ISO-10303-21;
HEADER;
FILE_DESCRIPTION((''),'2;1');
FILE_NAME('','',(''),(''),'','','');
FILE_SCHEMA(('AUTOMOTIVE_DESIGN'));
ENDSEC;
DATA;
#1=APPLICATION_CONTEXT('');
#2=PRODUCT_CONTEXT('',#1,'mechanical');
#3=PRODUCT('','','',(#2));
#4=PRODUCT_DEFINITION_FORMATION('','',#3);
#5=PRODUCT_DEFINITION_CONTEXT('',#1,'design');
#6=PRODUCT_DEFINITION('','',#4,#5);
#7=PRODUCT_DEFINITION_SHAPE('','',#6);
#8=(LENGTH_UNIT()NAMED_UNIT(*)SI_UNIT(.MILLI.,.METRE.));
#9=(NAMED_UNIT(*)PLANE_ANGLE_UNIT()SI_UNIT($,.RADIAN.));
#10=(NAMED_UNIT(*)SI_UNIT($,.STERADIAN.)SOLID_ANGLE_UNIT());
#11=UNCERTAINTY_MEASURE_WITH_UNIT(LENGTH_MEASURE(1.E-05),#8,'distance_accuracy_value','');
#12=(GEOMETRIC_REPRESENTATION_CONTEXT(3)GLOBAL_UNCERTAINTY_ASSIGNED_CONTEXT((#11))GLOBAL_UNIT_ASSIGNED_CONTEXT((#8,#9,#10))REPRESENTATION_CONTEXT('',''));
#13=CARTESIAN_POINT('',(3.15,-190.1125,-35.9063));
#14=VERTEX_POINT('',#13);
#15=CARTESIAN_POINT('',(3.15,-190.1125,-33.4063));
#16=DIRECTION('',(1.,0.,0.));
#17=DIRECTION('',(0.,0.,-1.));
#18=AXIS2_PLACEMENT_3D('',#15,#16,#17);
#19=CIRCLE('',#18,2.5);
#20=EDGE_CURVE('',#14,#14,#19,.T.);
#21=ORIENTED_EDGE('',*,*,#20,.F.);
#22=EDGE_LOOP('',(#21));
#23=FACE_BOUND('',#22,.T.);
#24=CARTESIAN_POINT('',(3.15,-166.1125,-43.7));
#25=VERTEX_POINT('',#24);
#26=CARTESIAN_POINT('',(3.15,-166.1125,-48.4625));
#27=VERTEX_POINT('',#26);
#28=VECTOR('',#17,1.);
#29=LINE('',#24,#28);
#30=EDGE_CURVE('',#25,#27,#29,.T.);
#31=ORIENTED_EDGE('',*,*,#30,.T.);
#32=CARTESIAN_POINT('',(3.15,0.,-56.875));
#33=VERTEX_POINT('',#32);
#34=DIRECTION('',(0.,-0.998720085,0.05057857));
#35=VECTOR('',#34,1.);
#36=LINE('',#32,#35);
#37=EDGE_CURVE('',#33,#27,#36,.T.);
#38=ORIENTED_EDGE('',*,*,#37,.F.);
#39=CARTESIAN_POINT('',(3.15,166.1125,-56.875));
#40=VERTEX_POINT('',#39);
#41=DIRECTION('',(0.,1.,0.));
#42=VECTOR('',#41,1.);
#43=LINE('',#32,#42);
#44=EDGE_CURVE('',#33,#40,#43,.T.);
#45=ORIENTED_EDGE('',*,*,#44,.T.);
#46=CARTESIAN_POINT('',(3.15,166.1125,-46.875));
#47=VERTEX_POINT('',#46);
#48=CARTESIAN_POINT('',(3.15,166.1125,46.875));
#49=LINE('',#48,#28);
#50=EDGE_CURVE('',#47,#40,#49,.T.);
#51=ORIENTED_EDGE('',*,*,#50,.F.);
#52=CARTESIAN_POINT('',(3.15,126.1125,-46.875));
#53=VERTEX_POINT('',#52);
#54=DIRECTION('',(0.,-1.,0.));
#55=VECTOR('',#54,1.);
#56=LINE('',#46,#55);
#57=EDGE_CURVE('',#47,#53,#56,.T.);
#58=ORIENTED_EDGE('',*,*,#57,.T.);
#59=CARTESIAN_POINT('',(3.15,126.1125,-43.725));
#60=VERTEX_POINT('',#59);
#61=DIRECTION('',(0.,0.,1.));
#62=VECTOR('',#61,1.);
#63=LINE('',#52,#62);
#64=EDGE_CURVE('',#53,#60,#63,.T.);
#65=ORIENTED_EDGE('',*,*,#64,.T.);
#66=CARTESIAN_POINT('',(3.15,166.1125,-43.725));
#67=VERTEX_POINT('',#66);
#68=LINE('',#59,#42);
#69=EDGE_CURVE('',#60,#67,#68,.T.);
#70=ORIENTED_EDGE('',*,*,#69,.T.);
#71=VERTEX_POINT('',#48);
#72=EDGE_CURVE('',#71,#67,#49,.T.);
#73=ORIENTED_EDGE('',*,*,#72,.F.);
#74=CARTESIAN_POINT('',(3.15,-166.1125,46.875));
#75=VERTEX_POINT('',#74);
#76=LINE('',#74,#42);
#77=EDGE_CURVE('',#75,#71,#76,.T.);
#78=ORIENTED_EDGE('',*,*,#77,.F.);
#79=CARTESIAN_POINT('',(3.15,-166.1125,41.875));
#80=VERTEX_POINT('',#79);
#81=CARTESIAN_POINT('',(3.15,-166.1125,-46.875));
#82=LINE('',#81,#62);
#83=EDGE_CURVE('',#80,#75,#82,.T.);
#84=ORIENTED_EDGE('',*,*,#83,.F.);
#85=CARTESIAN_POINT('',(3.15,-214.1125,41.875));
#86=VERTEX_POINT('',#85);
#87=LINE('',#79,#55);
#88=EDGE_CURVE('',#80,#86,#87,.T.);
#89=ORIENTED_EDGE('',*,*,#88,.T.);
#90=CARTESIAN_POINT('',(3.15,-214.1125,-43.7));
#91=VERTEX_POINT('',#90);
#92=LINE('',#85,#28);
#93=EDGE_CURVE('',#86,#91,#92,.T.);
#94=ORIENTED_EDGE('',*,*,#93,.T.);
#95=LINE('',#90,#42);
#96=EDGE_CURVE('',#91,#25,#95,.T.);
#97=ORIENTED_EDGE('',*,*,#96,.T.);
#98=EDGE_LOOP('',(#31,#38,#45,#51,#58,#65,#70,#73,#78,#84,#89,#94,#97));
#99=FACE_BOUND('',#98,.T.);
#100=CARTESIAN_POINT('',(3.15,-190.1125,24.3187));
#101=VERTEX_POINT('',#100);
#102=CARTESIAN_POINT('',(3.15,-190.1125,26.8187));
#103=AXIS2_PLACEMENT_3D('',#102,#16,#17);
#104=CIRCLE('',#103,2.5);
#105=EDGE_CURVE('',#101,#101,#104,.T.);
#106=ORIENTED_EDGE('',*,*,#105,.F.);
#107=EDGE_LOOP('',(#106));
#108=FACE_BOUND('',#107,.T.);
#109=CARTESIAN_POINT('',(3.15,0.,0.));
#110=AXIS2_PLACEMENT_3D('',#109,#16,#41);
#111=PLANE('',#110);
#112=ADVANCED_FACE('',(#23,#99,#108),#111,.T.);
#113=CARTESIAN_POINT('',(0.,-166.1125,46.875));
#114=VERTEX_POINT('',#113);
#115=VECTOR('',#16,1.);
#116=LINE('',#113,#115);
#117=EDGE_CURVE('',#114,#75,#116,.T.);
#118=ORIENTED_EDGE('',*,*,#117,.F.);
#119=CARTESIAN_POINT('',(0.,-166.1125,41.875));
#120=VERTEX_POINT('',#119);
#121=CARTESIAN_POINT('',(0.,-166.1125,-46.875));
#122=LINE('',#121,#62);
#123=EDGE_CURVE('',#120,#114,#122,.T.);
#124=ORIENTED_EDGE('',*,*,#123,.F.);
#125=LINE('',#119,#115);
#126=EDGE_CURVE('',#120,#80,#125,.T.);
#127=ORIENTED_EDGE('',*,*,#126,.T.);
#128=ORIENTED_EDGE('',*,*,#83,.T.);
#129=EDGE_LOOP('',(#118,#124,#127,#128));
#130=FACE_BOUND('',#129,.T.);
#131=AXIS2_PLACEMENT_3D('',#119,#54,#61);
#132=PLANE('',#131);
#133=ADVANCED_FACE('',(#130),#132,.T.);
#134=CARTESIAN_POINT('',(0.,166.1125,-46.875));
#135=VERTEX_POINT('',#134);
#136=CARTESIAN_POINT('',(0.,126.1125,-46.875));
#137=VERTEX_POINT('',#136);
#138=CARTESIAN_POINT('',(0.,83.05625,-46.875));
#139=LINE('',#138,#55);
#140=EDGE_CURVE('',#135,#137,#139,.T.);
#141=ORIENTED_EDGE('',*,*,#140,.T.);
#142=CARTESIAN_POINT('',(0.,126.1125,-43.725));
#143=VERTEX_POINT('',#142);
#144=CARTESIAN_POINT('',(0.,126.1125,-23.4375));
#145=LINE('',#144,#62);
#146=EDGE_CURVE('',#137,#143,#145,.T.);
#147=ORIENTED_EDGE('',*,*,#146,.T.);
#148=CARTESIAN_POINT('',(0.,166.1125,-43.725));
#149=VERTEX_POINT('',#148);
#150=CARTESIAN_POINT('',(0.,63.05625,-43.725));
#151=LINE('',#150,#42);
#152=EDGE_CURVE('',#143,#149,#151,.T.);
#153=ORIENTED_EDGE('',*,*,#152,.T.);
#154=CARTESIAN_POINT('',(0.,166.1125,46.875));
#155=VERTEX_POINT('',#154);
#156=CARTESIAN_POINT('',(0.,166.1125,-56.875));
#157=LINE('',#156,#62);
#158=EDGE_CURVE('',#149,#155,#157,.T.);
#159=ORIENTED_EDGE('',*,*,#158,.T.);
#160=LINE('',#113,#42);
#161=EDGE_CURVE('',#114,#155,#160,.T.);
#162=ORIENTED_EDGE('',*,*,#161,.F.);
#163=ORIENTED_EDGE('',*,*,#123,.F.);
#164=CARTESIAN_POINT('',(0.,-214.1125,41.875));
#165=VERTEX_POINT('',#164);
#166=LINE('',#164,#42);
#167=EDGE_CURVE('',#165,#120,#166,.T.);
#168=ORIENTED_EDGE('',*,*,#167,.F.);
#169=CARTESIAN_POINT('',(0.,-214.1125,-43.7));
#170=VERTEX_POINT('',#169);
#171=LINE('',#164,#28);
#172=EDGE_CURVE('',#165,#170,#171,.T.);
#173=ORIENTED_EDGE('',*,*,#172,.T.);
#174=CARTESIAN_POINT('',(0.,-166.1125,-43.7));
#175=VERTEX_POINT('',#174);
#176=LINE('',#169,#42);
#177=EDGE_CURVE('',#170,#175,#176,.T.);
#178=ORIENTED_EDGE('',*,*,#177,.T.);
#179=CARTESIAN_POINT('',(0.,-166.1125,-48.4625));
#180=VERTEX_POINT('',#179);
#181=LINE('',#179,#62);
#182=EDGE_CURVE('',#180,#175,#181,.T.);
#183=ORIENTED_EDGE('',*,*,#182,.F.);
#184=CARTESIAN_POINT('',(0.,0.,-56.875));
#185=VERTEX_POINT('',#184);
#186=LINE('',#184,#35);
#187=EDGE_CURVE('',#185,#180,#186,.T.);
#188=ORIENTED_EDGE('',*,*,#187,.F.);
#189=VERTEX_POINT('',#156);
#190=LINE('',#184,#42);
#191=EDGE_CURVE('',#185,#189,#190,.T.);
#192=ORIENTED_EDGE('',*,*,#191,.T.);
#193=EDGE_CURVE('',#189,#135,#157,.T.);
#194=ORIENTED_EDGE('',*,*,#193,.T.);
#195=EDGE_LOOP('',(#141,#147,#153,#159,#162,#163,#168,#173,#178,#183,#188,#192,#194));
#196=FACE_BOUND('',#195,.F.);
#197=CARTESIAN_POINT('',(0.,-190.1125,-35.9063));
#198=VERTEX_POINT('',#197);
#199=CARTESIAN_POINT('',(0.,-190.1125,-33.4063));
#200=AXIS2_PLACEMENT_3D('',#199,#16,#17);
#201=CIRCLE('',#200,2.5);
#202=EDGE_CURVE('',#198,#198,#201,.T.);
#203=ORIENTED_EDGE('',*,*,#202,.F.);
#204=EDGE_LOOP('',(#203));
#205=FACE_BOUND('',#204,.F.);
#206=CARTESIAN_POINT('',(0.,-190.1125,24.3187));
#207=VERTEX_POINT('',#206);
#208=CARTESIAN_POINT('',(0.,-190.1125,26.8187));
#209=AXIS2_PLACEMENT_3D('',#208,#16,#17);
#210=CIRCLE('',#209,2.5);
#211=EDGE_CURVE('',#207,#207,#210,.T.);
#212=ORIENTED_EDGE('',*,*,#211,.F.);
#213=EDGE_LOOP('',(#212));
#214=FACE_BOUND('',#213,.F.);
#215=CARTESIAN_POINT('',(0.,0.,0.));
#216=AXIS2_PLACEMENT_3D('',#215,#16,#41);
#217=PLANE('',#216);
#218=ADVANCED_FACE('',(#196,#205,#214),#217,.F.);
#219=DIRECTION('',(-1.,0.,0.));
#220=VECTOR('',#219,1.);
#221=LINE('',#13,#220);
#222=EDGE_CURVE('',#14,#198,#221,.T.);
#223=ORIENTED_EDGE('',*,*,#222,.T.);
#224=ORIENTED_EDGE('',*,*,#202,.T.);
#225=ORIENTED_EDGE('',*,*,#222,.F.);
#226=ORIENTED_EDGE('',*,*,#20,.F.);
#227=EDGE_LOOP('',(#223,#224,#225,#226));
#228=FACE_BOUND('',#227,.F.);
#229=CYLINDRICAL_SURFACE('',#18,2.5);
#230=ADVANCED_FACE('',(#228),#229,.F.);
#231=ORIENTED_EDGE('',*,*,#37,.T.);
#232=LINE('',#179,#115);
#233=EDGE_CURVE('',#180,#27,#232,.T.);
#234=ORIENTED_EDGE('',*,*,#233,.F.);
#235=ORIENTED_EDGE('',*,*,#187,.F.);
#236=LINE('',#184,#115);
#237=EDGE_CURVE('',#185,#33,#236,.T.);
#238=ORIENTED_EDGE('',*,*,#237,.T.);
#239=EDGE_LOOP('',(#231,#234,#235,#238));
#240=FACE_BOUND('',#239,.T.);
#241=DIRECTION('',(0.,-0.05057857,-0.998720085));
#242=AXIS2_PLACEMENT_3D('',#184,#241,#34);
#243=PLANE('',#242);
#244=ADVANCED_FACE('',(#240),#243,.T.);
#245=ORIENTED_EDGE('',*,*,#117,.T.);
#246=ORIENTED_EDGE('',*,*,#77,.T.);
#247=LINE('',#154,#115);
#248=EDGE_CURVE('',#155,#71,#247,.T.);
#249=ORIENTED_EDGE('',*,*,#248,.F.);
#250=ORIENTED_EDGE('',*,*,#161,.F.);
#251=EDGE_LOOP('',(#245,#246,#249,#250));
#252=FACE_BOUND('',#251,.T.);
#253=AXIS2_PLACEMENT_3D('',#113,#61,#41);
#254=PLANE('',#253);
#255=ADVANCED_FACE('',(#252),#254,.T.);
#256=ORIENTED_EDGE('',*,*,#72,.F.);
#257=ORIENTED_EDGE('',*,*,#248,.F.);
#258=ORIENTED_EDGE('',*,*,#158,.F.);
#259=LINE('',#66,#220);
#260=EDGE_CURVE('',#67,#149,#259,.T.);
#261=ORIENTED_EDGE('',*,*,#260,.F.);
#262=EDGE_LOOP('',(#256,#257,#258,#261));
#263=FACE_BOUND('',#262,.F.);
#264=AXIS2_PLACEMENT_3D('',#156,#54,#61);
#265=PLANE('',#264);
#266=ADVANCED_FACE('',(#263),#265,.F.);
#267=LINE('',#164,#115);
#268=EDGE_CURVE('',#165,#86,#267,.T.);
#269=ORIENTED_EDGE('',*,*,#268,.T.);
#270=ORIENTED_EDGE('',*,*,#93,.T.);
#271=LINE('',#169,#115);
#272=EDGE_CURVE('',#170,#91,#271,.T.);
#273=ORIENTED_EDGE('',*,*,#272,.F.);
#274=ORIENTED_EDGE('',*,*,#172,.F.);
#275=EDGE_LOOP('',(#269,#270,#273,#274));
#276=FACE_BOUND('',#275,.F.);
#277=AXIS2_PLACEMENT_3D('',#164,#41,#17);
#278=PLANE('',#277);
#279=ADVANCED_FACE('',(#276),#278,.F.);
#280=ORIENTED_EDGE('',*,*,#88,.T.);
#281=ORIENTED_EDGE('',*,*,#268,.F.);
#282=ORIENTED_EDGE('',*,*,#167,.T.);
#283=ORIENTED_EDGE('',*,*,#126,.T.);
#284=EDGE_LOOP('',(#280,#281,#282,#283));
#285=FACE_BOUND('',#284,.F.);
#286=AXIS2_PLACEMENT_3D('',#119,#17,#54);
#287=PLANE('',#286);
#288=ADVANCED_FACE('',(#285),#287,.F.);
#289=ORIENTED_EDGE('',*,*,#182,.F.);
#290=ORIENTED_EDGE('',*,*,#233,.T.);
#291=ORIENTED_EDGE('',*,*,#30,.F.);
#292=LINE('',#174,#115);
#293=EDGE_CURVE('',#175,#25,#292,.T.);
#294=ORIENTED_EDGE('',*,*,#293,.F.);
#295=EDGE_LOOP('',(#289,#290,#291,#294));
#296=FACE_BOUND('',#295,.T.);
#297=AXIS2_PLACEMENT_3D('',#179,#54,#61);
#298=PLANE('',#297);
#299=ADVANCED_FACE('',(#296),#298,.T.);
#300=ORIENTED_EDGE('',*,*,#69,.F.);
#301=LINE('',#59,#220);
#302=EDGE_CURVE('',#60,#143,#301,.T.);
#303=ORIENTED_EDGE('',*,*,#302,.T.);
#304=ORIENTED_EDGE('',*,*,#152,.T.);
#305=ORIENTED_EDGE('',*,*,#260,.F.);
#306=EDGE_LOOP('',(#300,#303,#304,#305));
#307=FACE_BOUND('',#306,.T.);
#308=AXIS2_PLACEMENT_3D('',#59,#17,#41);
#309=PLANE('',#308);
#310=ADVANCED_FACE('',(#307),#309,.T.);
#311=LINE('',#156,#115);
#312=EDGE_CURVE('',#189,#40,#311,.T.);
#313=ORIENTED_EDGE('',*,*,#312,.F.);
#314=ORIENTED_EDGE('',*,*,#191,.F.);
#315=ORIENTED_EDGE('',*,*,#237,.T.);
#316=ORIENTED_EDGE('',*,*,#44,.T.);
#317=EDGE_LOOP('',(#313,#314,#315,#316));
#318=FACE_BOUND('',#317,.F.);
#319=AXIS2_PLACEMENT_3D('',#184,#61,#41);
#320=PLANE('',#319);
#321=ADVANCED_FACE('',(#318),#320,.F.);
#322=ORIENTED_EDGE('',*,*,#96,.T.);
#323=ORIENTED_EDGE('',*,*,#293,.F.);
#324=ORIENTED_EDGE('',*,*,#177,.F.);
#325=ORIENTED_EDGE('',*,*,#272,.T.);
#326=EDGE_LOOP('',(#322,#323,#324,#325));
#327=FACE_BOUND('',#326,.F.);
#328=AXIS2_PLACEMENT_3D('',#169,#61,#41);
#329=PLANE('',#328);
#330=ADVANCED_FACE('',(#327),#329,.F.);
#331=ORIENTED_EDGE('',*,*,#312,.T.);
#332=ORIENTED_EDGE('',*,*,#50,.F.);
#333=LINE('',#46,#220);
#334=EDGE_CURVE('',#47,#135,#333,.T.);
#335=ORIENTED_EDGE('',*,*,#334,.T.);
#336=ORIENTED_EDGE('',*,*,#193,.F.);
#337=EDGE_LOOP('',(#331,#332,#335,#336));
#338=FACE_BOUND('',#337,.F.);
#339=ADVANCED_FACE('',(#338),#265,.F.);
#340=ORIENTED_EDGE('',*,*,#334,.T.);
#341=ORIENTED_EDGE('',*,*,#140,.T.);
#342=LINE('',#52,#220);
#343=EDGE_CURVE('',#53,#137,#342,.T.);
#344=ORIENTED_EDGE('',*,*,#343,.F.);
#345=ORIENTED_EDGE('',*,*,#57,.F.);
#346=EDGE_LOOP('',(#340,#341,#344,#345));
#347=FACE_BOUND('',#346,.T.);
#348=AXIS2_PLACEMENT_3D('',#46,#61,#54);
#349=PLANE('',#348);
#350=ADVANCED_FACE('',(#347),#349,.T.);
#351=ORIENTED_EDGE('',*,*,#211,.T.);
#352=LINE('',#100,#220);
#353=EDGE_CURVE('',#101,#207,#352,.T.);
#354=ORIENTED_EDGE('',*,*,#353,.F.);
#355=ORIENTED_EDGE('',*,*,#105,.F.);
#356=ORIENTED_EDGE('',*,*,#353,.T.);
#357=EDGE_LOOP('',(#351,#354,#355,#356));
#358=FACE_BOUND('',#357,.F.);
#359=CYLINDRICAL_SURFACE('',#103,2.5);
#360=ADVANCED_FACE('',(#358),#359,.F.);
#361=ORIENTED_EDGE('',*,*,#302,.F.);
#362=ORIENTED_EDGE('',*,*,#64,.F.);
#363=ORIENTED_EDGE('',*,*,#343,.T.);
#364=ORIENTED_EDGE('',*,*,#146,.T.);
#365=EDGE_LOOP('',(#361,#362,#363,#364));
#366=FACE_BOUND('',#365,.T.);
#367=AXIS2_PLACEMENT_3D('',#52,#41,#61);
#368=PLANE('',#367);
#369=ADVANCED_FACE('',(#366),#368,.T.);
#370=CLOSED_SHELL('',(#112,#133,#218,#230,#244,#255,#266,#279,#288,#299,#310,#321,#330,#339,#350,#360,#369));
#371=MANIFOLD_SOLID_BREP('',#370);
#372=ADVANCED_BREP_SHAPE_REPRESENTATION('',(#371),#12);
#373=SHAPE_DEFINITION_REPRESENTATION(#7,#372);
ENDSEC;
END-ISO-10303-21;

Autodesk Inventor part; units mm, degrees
ref_plane "YZ Plane" through (0, 0, 0) normal (1, 0, 0) x (0, 1, 0)
ref_plane "XZ Plane" through (0, 0, 0) normal (0, 1, 0) x (-1, 0, 0)
ref_plane "XY Plane" through (0, 0, 0) normal (0, 0, 1) x (1, 0, 0)
sketch "Sketch2" plane through (0, 0, 0) normal (1, 0, 0) x (0, 1, 0)
  line L0 (166.1125, -46.875) -> (-166.1125, -46.875)
  line L1 (-166.1125, -46.875) -> (-166.1125, 46.875)
  line L2 (-166.1125, 46.875) -> (166.1125, 46.875)
  line L3 (166.1125, 46.875) -> (166.1125, -46.875)
  line L4 (166.1125, -46.875) -> (-166.1125, 46.875) construction
  line L5 (-166.1125, -46.875) -> (166.1125, 46.875) construction
  line L6 (-166.1125, 41.875) -> (-214.1125, 41.875)
  line L7 (-214.1125, 41.875) -> (-214.1125, -43.7)
  line L8 (-214.1125, -43.7) -> (-166.1125, -43.7)
  line L9 (-166.1125, -43.7) -> (-166.1125, 41.875)
  line L10 (166.1125, -46.875) -> (0, -46.875)
  line L11 (0, -46.875) -> (0, -56.875)
  line L12 (0, -56.875) -> (166.1125, -56.875)
  line L13 (166.1125, -56.875) -> (166.1125, -46.875)
  line L14 (0, 0) -> (0, -46.875)
  line L15 (-166.1125, 46.875) -> (-169.2875, 46.875)
  line L16 (-169.2875, 46.875) -> (-169.2875, 41.875)
  line L17 (-169.2875, 41.875) -> (-166.1125, 41.875)
  line L18 (-166.1125, 41.875) -> (-166.1125, 46.875)
  line L19 (-214.1125, 41.875) -> (-171.6688, 41.875)
  line L20 (-171.6688, 41.875) -> (-171.6688, 46.875)
  line L21 (-171.6688, 46.875) -> (-214.1125, 46.875)
  line L22 (-214.1125, 46.875) -> (-214.1125, 41.875)
  line L23 (-214.1125, 46.875) -> (-173.6687, 46.875)
  line L24 (-173.6687, 46.875) -> (-173.6687, 51.875)
  line L25 (-173.6687, 51.875) -> (-214.1125, 51.875)
  line L26 (-214.1125, 51.875) -> (-214.1125, 46.875)
  line L27 (-171.6688, 46.875) -> (-173.6687, 51.875)
  line L28 (-166.1125, -46.875) -> (0, -46.875)
  line L29 (0, -46.875) -> (0, -48.4625)
  line L30 (0, -48.4625) -> (-166.1125, -48.4625)
  line L31 (-166.1125, -48.4625) -> (-166.1125, -46.875)
  line L32 (0, -56.875) -> (-166.1125, -48.4625)
  dimension "d0" = 332.225
  dimension "d1" = 93.75
  dimension "d6" = 3.175
  dimension "d7" = 5
  dimension "d8" = 48
  dimension "d9" = 10
  dimension "d17" = 0
  dimension "d18" = 3.175
  dimension "d19" = 2.3813
  dimension "d20" = 5
  dimension "d21" = 2
  dimension "d22" = 1.5875
extrude "Extrusion1" add sketch "Sketch2" along normal blind 3.15 contours L13 L12 L11 L0 | L0 L1 L2 L3 | L11 L30 L31 L0 | L11 L32 L30 | L8 L7 L6 L1
sketch "Sketch3" plane through (3.15, 0, 0) normal (1, 0, 0) x (0, 0, -1)
  line L0 (56.875, 0) -> (56.875, 166.1125) projected
  line L1 (56.875, 166.1125) -> (-46.875, 166.1125) projected
  line L2 (43.725, 166.1125) -> (46.875, 166.1125)
  line L3 (46.875, 166.1125) -> (46.875, 126.1125)
  line L4 (46.875, 126.1125) -> (43.725, 126.1125)
  line L5 (43.725, 126.1125) -> (43.725, 166.1125)
  line L6 (-41.875, -166.1125) -> (-41.875, -214.1125) projected
  line L7 (-41.875, -214.1125) -> (43.7, -214.1125) projected
  circle A0 centre (-26.8187, -190.1125) radius 2.5
  line L8 (48.4625, -166.1125) -> (-41.875, -166.1125)
  line L9 (-41.875, -166.1125) -> (-41.875, -214.1125)
  line L10 (-41.875, -214.1125) -> (48.4625, -214.1125)
  line L11 (48.4625, -214.1125) -> (48.4625, -166.1125)
  line L12 (3.2938, -214.1125) -> (3.2938, -166.1125)
  circle A1 centre (33.4063, -190.1125) radius 2.5
  point P0 (0, 0)
  point P1 (-41.875, -169.2875)
  point P2 (-41.875, -171.6688)
  dimension "d11" = 40
  dimension "d12" = 3.15
  dimension "d13" = 10
  dimension "d23" = 5
  dimension "d24" = 24
  dimension "d25" = 30.1125
extrude "Extrusion2" cut sketch "Sketch3" against normal blind 10 contours L3 L4 L5 L1 | A0 | A1
equation "\"d0\" = window_z"
equation "\"d1\" = window_y"
equation "\"d6\" = 2 * sm_thickness"
equation "\"d7\" = acrylic_into_frame"
equation "\"d8\" = window_overlap"
equation "\"d9\" = protection_slot_width"
equation "\"d18\" = 2 * sm_thickness"
equation "\"d19\" = 1.5 * sm_thickness"
equation "\"d22\" = sm_thickness"
equation "\"d2\" = clear_acrylic"
equation "\"d11\" = 0.5 * protection_slot_length"
equation "\"d12\" = clear_acrylic"
equation "\"d13\" = protection_slot_width"
equation "\"d23\" = m5_diameter"
equation "\"d24\" = 0.5 * window_overlap"
equation "\"d25\" = 0.333333 * drawer_y"
equation "\"sm_thickness\" = 1.5875"
equation "\"very_thick_acrylic\" = 9.45"
equation "\"thick_acrylic\" = 5.88"
equation "\"thin_acrylic\" = 3.15"
equation "\"clear_acrylic\" = 3.15"
equation "\"wood_thickness\" = 6.72"
equation "\"m3_diameter\" = 3"
equation "\"m4_diameter\" = 4"
equation "\"m5_diameter\" = 5"
equation "\"brass_insert_drill\" = 4"
equation "\"m5_brass_insert_drill\" = 6.7"
equation "\"m3_main_length\" = 14"
equation "\"m3_main_nut_width\" = 5.7"
equation "\"m3_main_nut_thickness\" = 2.5"
equation "\"m3_main_extra\" = 1"
equation "\"stepper_screw_space\" = 35"
equation "\"stepper_shaft_diameter\" = 5"
equation "\"stepper_body_diameter\" = 28"
equation "\"laser_body_diameter\" = 12"
equation "\"carrier_y\" = 251"
equation "\"carrier_z\" = 12"
equation "\"visor_x\" = 253.925"
equation "\"visor_y\" = 85.6"
equation "\"protection_slot\" = 44.2"
equation "\"protection_slot_offset\" = 55.25"
equation "\"window_z\" = 332.225"
equation "\"tray_border\" = 25"
equation "\"bed_z\" = 25"
equation "\"reservoir_x\" = 201"
equation "\"crane_z2\" = 12"
equation "\"tray_y\" = 251"
equation "\"door_sensor\" = 35"
equation "\"linear_bearing_spacing\" = 271"
equation "\"motor_spacing\" = 337"
equation "\"tray_x\" = 251"
equation "\"reservoir_y\" = 201"
equation "\"window_y\" = 93.75"
equation "\"end_stop_spacing\" = 19"
equation "\"window_overlap\" = 48"
equation "\"door_z\" = 332.225"
equation "\"door_x\" = 251"
equation "\"door_overlap\" = 48"
equation "\"acrylic_into_frame\" = 5"
equation "\"protection_slot_width\" = 10"
equation "\"laser_z_offset\" = 55"
equation "\"galvo_frame_x\" = 66"
equation "\"galvo_frame_z\" = 85"
equation "\"laser_y_offset\" = 19.4"
equation "\"thumb_nut_diameter\" = 7"
equation "\"drawer_y\" = 90.3375"
equation "\"frame_total_z\" = 661.5875"
equation "\"printer_z\" = 289"
equation "\"subframe_y_offset\" = 27.5"
equation "\"frame_bottom_z\" = 275"
equation "\"lcd_y\" = 25"
equation "\"drawer_x\" = 257.3"
equation "\"drawer_z\" = 278.175"
equation "\"drawer_z_from_bottom\" = 25"
equation "\"t_galvo_frame\" = 6.72"
equation "\"laser_z\" = 75"
equation "\"nema17_x\" = 43"
equation "\"thumb_nut_offset_y\" = 0"
equation "\"laser_y\" = 15"
equation "\"frame_tilt\" = 1deg"
equation "\"frame_top_z\" = 385"
equation "\"frame_border\" = 48.0375"
equation "\"laser_diameter\" = 12"
equation "\"galvo_frame_y_offset\" = 27.5"
equation "\"lcd_x\" = 72"
equation "\"subframe_x\" = 66"
equation "\"frame_foot_z\" = 12"
equation "\"z_min_from_center\" = 115"
equation "\"m3_press_nut_drill\" = 4.5"
equation "\"m3_head\" = 6"
equation "\"m5_head\" = 10.3"
equation "\"m5_press_nut_drill\" = 6.5"
equation "\"drawer_support_from_top\" = 48"
equation "\"laser_gap\" = 1"
equation "\"frame_screw_from_center\" = 25"
equation "\"drawer_screw_from_center\" = 55"
equation "\"frame_face_y\" = 45"
equation "\"switch_spacing\" = 19"
equation "\"subframe_y\" = 55"
equation "\"al_thickness\" = 1.5875"
equation "\"rivet_diameter\" = 3.3"
equation "\"bend_factor\" = 2.26205"
equation "\"sm_bend\" = 3.591"
equation "\"al_bend\" = 3.591"
equation "\"frame_x\" = 353.375"
equation "\"carrier_z2\" = 25"
equation "\"carrier_y2\" = 76.825"
equation "\"protection_slot_length\" = 80"
properties part number "window"
